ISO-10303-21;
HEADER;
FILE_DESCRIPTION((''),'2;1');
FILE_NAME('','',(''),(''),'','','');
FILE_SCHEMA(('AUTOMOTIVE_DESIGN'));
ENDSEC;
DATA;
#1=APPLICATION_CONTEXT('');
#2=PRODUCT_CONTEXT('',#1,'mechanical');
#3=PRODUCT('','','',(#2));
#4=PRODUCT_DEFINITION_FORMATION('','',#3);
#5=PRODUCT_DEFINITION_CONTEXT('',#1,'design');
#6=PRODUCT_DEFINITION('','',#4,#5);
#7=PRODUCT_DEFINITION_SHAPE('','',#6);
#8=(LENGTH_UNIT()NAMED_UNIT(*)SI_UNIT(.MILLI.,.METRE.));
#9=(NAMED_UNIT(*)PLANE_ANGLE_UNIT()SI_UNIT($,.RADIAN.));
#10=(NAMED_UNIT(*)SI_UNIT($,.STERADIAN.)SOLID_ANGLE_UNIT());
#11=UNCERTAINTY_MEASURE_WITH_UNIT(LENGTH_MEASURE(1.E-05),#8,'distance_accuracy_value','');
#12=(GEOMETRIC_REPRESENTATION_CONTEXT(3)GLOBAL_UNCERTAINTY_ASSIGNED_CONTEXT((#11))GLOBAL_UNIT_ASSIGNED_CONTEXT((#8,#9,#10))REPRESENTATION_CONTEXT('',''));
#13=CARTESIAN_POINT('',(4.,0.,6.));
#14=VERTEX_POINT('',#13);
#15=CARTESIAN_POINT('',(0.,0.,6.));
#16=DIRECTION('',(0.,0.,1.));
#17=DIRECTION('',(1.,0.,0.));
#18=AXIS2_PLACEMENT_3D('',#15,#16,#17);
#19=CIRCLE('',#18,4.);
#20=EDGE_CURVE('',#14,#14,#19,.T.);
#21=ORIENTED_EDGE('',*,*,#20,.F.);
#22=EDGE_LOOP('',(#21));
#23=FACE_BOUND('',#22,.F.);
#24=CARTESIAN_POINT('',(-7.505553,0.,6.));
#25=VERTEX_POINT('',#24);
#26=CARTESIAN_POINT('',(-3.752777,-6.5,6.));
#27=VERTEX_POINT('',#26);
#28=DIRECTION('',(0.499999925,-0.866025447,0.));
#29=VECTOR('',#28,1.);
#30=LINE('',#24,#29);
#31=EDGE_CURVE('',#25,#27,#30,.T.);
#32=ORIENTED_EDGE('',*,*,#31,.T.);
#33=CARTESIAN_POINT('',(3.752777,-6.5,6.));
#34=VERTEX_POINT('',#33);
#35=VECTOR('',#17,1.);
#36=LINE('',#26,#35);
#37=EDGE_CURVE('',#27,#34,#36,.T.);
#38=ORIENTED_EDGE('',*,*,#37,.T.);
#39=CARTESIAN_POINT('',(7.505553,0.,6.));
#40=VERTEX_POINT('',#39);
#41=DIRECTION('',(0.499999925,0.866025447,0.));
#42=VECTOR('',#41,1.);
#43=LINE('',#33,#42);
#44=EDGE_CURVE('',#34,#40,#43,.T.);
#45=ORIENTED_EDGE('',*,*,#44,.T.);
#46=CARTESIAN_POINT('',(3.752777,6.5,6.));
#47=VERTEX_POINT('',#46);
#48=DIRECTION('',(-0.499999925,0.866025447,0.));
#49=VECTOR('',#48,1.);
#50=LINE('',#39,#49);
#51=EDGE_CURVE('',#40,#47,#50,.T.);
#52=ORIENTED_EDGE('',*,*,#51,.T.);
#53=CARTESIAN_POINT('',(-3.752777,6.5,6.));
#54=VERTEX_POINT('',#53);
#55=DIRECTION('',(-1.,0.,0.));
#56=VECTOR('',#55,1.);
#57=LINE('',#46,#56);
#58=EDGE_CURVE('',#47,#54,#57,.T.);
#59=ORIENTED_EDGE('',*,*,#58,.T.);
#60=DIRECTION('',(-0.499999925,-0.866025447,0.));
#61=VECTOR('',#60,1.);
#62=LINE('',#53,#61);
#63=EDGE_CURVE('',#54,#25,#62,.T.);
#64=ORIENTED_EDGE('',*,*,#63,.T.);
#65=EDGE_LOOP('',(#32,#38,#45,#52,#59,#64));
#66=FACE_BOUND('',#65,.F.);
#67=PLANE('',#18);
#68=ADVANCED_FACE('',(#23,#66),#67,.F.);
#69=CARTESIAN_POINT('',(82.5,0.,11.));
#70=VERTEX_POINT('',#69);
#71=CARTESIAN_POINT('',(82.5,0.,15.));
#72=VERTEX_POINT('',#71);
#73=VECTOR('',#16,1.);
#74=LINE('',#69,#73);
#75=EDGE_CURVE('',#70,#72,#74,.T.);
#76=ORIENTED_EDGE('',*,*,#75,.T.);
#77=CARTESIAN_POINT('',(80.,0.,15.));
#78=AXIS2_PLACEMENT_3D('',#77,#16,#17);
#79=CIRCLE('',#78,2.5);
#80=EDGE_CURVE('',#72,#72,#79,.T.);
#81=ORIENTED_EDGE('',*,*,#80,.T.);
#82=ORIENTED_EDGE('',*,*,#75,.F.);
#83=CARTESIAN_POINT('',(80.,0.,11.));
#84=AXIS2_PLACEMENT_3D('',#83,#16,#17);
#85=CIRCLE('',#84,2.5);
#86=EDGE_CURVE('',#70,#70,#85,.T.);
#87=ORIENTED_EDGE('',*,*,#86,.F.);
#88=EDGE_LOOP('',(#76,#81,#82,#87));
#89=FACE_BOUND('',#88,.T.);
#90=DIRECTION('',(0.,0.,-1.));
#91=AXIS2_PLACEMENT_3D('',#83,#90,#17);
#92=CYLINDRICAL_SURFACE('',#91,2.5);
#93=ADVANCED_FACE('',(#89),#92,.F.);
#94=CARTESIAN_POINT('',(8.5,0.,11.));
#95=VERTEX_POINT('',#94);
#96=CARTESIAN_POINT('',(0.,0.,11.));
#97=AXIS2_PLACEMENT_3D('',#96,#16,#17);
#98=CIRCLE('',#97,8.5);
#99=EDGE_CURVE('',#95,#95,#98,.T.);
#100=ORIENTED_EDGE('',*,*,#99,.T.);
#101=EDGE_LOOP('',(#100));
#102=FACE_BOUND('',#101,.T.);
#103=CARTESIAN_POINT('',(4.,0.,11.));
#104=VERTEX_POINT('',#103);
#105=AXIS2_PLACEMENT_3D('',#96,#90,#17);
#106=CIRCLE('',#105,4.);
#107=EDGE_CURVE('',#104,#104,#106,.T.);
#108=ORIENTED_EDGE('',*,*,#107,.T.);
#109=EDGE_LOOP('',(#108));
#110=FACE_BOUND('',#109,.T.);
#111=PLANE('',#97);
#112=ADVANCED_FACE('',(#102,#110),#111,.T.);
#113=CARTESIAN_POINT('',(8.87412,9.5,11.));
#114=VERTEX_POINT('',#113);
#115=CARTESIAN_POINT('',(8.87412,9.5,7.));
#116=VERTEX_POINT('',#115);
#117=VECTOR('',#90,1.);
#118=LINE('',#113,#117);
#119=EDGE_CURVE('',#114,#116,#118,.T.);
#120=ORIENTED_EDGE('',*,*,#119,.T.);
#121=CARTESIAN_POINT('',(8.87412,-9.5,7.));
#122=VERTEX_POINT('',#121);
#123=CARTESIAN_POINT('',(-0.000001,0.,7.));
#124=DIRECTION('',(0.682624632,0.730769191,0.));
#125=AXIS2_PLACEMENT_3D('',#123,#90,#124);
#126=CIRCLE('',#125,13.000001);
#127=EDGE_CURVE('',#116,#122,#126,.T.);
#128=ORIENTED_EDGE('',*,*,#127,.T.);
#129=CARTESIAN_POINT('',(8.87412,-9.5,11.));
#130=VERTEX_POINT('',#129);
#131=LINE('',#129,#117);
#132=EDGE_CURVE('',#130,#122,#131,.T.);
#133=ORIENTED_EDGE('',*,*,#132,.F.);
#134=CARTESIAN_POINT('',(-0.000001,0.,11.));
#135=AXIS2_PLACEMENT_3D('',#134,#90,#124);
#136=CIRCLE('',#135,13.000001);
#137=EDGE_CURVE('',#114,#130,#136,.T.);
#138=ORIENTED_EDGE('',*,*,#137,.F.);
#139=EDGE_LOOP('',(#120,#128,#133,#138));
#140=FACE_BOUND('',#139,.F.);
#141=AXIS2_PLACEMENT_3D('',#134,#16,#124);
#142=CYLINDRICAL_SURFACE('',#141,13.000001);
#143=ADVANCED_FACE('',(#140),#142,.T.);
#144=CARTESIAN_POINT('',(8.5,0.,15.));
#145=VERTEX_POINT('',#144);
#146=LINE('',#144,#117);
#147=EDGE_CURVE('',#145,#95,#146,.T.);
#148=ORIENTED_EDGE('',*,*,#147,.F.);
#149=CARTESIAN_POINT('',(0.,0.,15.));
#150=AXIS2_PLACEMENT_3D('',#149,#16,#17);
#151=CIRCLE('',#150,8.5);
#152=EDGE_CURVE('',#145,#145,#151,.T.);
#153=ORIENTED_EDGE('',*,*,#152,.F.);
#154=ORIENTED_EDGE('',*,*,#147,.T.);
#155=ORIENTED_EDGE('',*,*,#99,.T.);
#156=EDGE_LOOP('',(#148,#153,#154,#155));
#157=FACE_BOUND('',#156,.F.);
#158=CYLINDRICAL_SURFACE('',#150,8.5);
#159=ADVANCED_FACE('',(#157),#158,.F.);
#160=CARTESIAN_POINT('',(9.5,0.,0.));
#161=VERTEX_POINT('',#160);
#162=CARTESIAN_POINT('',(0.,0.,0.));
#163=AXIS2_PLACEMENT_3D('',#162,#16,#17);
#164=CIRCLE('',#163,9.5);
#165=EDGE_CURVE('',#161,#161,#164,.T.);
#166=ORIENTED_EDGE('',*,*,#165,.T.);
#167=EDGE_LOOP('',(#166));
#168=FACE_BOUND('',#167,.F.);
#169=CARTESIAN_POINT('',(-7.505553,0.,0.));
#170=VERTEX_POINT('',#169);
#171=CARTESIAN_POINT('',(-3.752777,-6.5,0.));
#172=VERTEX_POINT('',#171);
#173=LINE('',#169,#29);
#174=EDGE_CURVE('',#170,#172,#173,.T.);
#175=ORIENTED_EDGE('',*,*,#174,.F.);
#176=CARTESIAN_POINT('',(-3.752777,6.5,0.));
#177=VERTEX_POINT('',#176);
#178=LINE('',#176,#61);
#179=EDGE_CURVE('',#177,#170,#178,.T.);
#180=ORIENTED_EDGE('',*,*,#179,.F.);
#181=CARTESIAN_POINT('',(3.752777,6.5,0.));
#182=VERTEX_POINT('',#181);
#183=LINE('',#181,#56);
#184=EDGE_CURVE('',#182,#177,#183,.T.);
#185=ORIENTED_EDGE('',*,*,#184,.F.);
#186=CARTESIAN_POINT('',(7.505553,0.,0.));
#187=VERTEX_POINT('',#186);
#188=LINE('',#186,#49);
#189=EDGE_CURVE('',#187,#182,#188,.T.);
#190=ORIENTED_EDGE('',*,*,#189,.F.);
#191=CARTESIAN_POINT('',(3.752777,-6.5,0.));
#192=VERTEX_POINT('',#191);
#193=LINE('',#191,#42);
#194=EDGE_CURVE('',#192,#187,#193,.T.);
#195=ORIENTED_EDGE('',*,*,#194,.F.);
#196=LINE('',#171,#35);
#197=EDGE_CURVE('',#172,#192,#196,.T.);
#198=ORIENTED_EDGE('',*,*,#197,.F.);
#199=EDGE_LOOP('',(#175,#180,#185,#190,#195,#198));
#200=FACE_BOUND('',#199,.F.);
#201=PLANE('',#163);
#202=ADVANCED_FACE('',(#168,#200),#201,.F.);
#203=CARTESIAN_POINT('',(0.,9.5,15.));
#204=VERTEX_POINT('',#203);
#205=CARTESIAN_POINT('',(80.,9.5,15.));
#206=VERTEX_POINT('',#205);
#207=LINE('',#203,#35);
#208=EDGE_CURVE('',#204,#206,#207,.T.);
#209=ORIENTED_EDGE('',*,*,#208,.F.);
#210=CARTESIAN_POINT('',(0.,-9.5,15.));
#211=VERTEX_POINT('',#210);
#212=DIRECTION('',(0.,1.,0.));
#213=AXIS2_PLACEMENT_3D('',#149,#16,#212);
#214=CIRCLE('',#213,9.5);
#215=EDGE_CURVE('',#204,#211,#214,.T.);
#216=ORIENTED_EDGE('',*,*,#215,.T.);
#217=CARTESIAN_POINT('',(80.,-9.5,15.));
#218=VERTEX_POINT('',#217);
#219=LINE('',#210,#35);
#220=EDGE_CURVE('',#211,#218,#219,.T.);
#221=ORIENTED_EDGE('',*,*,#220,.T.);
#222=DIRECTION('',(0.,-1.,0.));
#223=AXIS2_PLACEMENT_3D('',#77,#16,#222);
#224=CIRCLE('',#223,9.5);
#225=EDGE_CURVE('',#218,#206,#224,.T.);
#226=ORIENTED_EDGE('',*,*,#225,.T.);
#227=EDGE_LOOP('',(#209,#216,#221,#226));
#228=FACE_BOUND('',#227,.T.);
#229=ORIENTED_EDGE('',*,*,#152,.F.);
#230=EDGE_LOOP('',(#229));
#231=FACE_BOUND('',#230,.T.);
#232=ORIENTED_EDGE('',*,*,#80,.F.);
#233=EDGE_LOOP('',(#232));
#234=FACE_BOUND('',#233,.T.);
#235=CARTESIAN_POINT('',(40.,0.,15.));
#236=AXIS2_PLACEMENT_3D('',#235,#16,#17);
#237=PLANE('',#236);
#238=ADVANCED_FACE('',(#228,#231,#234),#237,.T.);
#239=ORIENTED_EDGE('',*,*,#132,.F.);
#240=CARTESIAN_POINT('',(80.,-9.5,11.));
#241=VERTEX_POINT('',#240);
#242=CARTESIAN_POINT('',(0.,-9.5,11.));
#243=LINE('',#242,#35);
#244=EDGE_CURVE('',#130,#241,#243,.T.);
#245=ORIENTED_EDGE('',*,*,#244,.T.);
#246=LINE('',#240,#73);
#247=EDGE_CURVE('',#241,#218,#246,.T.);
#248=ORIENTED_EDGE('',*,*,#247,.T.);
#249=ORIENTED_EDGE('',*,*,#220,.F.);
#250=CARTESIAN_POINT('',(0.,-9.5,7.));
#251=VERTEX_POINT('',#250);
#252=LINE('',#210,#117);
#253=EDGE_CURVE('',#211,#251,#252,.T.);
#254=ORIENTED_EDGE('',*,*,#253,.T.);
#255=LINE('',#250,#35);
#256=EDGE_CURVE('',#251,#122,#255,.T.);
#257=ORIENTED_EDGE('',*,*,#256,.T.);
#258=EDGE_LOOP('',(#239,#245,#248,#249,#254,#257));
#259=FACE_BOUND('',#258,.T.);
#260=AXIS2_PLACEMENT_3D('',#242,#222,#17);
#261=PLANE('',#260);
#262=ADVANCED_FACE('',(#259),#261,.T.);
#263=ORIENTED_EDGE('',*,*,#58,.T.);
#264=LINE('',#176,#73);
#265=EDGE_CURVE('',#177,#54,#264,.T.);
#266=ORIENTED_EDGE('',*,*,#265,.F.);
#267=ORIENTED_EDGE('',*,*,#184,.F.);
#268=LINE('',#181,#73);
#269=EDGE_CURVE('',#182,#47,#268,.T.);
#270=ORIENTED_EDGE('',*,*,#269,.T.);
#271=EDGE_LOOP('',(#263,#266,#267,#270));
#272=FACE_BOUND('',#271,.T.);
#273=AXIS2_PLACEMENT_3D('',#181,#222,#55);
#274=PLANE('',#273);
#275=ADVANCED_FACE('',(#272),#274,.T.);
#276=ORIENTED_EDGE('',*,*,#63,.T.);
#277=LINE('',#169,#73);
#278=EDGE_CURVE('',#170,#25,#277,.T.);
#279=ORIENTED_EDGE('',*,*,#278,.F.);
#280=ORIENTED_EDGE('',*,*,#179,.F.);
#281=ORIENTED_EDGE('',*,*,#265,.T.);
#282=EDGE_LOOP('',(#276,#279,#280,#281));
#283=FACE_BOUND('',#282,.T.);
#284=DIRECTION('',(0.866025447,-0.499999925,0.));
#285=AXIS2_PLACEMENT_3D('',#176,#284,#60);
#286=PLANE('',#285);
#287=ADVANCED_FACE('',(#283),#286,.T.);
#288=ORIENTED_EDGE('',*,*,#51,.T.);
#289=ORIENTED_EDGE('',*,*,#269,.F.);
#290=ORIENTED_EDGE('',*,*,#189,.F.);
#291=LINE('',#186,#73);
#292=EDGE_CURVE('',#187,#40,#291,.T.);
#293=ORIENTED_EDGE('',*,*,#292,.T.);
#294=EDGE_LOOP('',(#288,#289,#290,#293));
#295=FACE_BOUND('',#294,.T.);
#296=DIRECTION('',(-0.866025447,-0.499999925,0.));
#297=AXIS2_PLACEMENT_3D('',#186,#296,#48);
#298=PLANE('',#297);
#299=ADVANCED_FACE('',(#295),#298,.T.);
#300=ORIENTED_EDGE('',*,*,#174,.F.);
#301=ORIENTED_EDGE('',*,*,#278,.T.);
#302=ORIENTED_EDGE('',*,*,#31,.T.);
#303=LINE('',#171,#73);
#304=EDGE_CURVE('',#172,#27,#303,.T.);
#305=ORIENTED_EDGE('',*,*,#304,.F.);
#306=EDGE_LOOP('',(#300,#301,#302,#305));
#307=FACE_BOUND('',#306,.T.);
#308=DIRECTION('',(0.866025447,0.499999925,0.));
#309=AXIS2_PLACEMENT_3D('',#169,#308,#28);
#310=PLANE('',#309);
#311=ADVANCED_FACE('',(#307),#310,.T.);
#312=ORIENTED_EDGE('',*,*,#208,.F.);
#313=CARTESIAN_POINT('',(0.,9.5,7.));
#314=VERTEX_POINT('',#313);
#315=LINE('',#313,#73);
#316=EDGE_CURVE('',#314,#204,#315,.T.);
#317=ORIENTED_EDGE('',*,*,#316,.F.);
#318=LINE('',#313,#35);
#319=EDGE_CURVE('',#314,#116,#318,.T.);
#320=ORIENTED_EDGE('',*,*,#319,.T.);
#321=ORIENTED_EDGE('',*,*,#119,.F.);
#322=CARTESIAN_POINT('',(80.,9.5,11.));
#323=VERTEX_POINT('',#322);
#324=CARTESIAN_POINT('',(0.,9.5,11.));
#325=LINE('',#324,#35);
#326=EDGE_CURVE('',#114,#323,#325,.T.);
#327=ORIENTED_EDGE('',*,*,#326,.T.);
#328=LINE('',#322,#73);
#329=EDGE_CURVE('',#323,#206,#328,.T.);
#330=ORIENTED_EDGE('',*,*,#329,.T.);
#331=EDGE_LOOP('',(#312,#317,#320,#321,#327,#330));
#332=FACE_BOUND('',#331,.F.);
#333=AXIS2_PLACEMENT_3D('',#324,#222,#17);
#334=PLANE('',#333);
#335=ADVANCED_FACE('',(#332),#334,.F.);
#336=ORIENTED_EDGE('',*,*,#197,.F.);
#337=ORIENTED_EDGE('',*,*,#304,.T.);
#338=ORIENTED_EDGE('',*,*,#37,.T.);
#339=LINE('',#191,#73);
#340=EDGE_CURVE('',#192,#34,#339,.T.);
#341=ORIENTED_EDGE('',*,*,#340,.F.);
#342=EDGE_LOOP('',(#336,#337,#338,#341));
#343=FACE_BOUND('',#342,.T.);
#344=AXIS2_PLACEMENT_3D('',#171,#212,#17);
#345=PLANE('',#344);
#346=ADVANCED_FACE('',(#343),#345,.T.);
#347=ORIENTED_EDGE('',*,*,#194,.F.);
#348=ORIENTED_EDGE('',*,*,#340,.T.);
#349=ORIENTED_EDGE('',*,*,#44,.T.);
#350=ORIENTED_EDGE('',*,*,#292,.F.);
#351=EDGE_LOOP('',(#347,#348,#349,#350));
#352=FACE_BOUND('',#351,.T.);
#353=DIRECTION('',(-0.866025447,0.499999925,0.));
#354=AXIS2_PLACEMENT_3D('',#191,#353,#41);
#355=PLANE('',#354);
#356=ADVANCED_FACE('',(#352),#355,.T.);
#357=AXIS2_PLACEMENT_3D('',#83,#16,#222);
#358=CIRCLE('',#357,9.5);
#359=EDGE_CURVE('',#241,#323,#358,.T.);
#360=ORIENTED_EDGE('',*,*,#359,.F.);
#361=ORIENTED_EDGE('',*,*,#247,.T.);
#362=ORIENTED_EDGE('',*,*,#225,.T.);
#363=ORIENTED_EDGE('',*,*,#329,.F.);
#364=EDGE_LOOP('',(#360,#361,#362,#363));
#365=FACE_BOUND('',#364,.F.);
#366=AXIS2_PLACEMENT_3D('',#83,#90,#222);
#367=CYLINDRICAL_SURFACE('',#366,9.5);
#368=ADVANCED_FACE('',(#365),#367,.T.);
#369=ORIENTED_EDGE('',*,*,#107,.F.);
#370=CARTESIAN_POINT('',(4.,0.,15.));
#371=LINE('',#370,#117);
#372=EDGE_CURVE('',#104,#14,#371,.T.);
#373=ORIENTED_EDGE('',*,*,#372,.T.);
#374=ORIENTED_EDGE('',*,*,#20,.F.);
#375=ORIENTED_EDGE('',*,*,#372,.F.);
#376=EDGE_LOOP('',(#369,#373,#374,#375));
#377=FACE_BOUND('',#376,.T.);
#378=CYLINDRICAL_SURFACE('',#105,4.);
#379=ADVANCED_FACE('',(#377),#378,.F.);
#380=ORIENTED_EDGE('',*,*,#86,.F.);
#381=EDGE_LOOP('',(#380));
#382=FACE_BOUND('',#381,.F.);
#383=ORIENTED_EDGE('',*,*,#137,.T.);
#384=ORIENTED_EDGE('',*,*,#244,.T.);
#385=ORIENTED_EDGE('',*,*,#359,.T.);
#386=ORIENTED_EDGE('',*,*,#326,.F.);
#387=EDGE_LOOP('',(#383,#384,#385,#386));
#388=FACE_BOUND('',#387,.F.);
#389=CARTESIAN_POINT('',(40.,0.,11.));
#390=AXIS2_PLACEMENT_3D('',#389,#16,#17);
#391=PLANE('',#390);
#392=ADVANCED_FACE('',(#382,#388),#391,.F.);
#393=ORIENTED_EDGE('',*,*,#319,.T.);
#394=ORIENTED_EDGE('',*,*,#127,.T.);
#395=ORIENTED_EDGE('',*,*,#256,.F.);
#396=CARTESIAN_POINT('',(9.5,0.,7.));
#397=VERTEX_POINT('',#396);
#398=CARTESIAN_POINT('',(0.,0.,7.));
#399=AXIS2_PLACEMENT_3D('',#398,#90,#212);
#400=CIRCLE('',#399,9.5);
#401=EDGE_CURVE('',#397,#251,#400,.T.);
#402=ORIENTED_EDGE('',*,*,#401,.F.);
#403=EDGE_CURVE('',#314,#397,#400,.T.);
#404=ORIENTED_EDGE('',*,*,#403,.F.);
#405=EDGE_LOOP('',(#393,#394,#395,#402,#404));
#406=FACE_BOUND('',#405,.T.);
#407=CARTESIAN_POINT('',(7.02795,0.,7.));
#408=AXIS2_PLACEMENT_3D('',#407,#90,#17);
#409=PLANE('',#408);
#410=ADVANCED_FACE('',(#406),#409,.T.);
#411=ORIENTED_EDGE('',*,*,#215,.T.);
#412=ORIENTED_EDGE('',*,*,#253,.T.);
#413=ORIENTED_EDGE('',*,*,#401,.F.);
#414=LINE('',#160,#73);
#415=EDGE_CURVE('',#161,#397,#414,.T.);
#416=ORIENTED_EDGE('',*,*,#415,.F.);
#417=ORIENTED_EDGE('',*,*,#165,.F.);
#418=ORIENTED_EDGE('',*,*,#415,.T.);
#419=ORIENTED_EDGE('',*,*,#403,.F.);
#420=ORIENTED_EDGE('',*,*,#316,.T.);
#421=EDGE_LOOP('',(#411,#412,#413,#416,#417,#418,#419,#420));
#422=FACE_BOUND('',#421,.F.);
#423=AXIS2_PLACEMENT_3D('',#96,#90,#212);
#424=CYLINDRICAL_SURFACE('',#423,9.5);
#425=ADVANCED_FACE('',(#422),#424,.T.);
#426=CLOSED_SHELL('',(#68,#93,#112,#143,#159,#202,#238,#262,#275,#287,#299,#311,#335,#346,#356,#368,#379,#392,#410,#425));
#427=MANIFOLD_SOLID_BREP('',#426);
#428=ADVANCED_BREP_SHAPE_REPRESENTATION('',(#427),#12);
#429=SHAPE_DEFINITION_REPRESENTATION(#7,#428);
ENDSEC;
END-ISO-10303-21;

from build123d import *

# Parameters (mm, degrees)
SKETCH_R        = 9.5
PAD_DEPTH       = 6
SKETCH001_R     = 9.5
PAD001_DEPTH    = 5
SKETCH002_R     = 4
POCKET_DEPTH    = 5
SKETCH003_R     = 2.5
SKETCH003_R_2   = 4
PAD002_DEPTH    = 4
SKETCH004_R     = 8.5
POCKET001_DEPTH = 4
PAD003_DEPTH    = 4


with BuildPart() as part:
    # Sketch → Pad (new body)
    with BuildSketch(Plane.XY):
        Circle(SKETCH_R)
        Polygon((3.752777, 6.5), (-3.752777, 6.5), (-7.505553, 0), (-3.752777, -6.5), (3.752777, -6.5), (7.505553, 0), align=None, mode=Mode.SUBTRACT)
    extrude(amount=PAD_DEPTH)

    # Sketch001 (on Face9 of Pad) → Pad001 (join)
    with BuildSketch(Plane.XY.offset(6)):
        Circle(SKETCH001_R)
    extrude(amount=PAD001_DEPTH)

    # Sketch002 (on Face10 of Pad001) → Pocket (cut)
    with BuildSketch(Plane.XY.offset(11)):
        Circle(SKETCH002_R)
    extrude(amount=-POCKET_DEPTH, mode=Mode.SUBTRACT)

    # Sketch003 (on Face10 of Pocket) → Pad002 (join)
    with BuildSketch(Plane.XY.offset(11)):
        with BuildLine():
            ThreePointArc((0, 9.5), (-9.5, 0), (0, -9.5))
            Line((0, -9.5), (80, -9.5))
            ThreePointArc((80, -9.5), (89.5, 0), (80, 9.5))
            Line((0, 9.5), (80, 9.5))
        make_face()
        with Locations((80, 0)):
            Circle(SKETCH003_R, mode=Mode.SUBTRACT)
        Circle(SKETCH003_R_2, mode=Mode.SUBTRACT)
    extrude(amount=PAD002_DEPTH)

    # Sketch004 (on Face17 of Pad002) → Pocket001 (cut)
    with BuildSketch(Plane.XY.offset(15)):
        Circle(SKETCH004_R)
    extrude(amount=-POCKET001_DEPTH, mode=Mode.SUBTRACT)

    # Sketch005 (on Face10 of Pocket001) → Pad003 (join)
    with BuildSketch(Plane(origin=(0, 0, 11), x_dir=(1, 0, 0), z_dir=(0, 0, -1))):
        with BuildLine():
            ThreePointArc((8.87412, -9.5), (13, 0), (8.87412, 9.5))
            Line((0, 9.5), (8.87412, 9.5))
            ThreePointArc((0, -9.5), (9.5, 0), (0, 9.5))
            Line((0, -9.5), (8.87412, -9.5))
        make_face()
    extrude(amount=PAD003_DEPTH)


solid = part.part
